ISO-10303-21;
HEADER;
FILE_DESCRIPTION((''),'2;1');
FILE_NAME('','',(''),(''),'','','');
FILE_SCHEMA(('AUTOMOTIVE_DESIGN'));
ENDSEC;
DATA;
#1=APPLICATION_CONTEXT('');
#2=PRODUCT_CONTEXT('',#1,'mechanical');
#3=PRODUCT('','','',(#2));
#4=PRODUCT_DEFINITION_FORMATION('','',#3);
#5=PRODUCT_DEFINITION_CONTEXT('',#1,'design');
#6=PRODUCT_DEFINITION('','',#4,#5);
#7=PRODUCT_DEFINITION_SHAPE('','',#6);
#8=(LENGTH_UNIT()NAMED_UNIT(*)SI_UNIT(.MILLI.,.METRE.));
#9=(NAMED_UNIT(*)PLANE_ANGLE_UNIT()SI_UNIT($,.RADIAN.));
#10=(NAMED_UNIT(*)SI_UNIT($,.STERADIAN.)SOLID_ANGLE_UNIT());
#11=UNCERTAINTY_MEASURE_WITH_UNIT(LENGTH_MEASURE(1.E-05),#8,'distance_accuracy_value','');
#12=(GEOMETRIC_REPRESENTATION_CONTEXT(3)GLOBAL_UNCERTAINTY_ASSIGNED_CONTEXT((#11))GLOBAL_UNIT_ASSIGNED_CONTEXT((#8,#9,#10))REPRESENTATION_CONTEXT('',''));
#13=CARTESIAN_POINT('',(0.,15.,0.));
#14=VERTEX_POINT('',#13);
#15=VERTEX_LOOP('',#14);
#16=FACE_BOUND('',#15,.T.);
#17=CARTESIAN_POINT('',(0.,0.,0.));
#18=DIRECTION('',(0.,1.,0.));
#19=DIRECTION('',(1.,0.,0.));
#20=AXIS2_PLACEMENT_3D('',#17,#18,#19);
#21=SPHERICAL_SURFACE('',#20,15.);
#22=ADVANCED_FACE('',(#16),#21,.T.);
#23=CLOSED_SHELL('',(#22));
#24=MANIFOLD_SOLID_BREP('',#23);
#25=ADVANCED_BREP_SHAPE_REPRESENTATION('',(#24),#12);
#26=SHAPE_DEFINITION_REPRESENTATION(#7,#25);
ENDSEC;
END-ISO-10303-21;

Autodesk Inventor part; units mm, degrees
ref_plane "YZ Plane" through (0, 0, 0) normal (1, 0, 0) x (0, 1, 0)
ref_plane "XZ Plane" through (0, 0, 0) normal (0, 1, 0) x (-1, 0, 0)
ref_plane "XY Plane" through (0, 0, 0) normal (0, 0, 1) x (1, 0, 0)
sketch "Sketch1" plane through (0, 0, 0) normal (0, 0, 1) x (1, 0, 0)
  arc A0 (0, -15) -> (0, 15) centre (0, 0) ccw
  line L0 (0, -20.4001) -> (0, 22.3933)
  dimension "d0" = 30
revolve "Revolution1" add sketch "Sketch1" angle 360 about axis through (0, -20.4001, 0) along (0, 1, 0)
properties part number "testing ball"
